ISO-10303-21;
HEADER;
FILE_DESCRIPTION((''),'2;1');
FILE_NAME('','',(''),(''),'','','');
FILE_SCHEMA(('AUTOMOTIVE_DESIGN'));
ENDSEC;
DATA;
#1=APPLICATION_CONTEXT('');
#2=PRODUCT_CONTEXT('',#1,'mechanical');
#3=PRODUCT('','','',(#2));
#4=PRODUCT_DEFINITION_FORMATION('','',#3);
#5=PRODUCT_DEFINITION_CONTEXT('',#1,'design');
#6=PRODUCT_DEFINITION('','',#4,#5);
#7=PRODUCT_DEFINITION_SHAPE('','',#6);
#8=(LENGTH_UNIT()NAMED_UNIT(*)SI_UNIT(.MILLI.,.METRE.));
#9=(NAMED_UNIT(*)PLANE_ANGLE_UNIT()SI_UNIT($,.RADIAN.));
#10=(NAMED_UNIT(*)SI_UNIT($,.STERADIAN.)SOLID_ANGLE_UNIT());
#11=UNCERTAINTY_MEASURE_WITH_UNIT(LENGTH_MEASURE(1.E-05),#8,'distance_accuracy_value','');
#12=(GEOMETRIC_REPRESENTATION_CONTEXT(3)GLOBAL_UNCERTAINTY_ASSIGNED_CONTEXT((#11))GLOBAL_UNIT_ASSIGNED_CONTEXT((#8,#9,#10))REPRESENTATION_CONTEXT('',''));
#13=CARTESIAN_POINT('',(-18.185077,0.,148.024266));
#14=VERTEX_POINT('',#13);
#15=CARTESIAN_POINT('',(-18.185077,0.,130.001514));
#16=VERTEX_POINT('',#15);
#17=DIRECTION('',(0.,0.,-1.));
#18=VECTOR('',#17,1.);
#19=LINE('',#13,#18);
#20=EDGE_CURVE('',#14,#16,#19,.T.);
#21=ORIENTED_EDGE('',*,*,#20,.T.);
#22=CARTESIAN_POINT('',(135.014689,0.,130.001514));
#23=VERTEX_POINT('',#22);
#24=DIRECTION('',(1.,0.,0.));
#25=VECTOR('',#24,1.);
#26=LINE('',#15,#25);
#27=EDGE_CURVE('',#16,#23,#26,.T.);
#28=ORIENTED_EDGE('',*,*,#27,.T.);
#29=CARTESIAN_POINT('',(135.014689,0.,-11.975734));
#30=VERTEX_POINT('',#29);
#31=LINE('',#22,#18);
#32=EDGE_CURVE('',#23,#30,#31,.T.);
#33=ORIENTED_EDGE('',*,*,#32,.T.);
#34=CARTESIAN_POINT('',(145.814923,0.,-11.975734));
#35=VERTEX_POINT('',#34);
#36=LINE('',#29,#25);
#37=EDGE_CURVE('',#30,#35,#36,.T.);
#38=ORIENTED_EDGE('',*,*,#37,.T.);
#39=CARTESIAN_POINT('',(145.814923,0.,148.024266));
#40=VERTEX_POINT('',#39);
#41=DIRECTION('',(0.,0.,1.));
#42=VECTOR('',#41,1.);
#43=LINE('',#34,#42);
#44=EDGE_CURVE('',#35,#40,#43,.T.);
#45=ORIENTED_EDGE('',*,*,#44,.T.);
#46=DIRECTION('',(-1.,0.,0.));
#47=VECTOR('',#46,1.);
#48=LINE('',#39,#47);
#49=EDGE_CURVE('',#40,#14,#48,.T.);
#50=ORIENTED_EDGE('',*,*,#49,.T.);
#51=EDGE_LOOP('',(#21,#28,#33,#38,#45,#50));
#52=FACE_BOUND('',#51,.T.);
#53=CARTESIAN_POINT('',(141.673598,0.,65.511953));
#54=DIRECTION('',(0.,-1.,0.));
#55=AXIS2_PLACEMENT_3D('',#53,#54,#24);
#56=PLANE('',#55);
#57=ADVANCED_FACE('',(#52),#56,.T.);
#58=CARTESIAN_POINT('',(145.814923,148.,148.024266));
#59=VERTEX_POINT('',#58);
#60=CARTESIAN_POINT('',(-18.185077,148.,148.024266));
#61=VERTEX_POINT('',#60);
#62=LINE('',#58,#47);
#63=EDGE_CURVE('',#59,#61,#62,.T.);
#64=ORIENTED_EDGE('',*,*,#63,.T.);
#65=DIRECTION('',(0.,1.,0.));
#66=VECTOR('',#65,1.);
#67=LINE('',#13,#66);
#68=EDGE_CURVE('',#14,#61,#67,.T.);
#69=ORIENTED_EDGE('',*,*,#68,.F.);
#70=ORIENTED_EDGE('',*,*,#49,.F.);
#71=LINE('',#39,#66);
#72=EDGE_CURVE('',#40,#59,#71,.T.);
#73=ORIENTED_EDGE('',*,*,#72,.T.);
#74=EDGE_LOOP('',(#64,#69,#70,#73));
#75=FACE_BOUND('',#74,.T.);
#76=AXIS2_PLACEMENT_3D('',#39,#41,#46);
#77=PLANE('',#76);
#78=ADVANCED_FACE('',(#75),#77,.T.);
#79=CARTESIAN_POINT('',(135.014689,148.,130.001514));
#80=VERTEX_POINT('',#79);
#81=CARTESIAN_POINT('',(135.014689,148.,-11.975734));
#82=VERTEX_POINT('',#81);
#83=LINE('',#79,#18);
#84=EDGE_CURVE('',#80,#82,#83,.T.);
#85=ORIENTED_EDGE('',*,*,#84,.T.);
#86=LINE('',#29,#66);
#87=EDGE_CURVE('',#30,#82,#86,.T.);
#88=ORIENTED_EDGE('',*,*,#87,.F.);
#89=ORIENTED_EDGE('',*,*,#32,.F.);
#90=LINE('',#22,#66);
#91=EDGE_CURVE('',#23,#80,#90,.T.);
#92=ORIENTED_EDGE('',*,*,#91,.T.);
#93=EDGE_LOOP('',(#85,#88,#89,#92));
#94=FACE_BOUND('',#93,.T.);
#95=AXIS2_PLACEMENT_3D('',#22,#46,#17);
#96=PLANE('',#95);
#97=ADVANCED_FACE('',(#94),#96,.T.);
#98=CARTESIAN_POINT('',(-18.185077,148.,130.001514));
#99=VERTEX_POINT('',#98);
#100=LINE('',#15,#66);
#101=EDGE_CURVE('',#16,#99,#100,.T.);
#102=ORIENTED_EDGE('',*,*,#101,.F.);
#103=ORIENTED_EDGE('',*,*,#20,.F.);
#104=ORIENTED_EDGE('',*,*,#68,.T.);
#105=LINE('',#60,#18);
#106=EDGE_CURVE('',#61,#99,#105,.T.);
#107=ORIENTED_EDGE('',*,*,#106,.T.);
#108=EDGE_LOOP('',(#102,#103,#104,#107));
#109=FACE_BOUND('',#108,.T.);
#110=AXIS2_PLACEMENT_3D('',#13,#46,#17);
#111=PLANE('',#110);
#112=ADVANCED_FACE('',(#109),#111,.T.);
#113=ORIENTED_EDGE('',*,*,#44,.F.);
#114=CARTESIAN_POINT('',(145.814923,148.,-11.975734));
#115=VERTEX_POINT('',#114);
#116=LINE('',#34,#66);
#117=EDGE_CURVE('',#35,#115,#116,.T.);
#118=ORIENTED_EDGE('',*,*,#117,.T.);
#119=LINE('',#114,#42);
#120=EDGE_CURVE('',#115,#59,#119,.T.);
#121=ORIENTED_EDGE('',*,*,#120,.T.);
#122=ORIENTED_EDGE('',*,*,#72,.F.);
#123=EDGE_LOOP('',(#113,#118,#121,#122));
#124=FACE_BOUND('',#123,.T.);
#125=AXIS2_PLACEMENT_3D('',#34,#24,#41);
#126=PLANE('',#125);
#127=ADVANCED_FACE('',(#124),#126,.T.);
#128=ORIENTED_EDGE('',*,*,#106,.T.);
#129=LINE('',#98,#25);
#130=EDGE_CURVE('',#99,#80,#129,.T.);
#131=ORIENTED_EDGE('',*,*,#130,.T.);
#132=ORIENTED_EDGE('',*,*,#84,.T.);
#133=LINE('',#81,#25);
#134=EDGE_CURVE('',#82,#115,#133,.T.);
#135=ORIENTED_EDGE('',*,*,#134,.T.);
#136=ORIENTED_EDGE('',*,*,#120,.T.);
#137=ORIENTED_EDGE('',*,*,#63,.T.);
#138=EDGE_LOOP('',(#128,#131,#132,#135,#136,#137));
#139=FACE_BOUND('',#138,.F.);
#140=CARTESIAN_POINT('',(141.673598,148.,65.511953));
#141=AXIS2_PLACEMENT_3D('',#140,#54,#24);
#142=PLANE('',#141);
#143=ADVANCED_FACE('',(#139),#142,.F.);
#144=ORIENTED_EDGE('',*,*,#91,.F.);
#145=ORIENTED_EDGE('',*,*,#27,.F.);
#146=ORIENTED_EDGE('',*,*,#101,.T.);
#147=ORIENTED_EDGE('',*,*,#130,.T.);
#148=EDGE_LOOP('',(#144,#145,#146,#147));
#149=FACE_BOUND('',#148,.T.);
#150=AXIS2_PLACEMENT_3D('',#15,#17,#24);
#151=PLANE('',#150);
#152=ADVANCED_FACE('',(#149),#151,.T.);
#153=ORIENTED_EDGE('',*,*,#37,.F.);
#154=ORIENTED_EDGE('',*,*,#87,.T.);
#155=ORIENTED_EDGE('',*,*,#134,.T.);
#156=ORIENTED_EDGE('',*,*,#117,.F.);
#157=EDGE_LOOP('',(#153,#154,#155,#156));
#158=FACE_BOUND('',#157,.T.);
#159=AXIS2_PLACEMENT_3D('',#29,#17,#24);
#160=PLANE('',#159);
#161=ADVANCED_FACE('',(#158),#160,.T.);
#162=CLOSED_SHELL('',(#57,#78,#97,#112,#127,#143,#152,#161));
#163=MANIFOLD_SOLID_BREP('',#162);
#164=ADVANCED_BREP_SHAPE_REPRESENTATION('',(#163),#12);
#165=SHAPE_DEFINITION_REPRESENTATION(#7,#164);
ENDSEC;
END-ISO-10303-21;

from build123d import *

# Parameters (mm, degrees)
F1_DEPTH = 148


with BuildPart() as f1:
    # F0 (on Front) → F1 (new body)
    with BuildSketch(Plane.XZ):
        Polygon((145.814923, -11.975734), (145.814923, 148.024266), (135.014689, 70.738161), (135.014689, -11.975734), align=None)
        Polygon((-18.185077, 148.024266), (-18.185077, 130.001514), (135.014689, 130.001514), (135.014689, 70.738161), (145.814923, 148.024266), align=None)
    extrude(amount=-F1_DEPTH)


solid = f1.part
